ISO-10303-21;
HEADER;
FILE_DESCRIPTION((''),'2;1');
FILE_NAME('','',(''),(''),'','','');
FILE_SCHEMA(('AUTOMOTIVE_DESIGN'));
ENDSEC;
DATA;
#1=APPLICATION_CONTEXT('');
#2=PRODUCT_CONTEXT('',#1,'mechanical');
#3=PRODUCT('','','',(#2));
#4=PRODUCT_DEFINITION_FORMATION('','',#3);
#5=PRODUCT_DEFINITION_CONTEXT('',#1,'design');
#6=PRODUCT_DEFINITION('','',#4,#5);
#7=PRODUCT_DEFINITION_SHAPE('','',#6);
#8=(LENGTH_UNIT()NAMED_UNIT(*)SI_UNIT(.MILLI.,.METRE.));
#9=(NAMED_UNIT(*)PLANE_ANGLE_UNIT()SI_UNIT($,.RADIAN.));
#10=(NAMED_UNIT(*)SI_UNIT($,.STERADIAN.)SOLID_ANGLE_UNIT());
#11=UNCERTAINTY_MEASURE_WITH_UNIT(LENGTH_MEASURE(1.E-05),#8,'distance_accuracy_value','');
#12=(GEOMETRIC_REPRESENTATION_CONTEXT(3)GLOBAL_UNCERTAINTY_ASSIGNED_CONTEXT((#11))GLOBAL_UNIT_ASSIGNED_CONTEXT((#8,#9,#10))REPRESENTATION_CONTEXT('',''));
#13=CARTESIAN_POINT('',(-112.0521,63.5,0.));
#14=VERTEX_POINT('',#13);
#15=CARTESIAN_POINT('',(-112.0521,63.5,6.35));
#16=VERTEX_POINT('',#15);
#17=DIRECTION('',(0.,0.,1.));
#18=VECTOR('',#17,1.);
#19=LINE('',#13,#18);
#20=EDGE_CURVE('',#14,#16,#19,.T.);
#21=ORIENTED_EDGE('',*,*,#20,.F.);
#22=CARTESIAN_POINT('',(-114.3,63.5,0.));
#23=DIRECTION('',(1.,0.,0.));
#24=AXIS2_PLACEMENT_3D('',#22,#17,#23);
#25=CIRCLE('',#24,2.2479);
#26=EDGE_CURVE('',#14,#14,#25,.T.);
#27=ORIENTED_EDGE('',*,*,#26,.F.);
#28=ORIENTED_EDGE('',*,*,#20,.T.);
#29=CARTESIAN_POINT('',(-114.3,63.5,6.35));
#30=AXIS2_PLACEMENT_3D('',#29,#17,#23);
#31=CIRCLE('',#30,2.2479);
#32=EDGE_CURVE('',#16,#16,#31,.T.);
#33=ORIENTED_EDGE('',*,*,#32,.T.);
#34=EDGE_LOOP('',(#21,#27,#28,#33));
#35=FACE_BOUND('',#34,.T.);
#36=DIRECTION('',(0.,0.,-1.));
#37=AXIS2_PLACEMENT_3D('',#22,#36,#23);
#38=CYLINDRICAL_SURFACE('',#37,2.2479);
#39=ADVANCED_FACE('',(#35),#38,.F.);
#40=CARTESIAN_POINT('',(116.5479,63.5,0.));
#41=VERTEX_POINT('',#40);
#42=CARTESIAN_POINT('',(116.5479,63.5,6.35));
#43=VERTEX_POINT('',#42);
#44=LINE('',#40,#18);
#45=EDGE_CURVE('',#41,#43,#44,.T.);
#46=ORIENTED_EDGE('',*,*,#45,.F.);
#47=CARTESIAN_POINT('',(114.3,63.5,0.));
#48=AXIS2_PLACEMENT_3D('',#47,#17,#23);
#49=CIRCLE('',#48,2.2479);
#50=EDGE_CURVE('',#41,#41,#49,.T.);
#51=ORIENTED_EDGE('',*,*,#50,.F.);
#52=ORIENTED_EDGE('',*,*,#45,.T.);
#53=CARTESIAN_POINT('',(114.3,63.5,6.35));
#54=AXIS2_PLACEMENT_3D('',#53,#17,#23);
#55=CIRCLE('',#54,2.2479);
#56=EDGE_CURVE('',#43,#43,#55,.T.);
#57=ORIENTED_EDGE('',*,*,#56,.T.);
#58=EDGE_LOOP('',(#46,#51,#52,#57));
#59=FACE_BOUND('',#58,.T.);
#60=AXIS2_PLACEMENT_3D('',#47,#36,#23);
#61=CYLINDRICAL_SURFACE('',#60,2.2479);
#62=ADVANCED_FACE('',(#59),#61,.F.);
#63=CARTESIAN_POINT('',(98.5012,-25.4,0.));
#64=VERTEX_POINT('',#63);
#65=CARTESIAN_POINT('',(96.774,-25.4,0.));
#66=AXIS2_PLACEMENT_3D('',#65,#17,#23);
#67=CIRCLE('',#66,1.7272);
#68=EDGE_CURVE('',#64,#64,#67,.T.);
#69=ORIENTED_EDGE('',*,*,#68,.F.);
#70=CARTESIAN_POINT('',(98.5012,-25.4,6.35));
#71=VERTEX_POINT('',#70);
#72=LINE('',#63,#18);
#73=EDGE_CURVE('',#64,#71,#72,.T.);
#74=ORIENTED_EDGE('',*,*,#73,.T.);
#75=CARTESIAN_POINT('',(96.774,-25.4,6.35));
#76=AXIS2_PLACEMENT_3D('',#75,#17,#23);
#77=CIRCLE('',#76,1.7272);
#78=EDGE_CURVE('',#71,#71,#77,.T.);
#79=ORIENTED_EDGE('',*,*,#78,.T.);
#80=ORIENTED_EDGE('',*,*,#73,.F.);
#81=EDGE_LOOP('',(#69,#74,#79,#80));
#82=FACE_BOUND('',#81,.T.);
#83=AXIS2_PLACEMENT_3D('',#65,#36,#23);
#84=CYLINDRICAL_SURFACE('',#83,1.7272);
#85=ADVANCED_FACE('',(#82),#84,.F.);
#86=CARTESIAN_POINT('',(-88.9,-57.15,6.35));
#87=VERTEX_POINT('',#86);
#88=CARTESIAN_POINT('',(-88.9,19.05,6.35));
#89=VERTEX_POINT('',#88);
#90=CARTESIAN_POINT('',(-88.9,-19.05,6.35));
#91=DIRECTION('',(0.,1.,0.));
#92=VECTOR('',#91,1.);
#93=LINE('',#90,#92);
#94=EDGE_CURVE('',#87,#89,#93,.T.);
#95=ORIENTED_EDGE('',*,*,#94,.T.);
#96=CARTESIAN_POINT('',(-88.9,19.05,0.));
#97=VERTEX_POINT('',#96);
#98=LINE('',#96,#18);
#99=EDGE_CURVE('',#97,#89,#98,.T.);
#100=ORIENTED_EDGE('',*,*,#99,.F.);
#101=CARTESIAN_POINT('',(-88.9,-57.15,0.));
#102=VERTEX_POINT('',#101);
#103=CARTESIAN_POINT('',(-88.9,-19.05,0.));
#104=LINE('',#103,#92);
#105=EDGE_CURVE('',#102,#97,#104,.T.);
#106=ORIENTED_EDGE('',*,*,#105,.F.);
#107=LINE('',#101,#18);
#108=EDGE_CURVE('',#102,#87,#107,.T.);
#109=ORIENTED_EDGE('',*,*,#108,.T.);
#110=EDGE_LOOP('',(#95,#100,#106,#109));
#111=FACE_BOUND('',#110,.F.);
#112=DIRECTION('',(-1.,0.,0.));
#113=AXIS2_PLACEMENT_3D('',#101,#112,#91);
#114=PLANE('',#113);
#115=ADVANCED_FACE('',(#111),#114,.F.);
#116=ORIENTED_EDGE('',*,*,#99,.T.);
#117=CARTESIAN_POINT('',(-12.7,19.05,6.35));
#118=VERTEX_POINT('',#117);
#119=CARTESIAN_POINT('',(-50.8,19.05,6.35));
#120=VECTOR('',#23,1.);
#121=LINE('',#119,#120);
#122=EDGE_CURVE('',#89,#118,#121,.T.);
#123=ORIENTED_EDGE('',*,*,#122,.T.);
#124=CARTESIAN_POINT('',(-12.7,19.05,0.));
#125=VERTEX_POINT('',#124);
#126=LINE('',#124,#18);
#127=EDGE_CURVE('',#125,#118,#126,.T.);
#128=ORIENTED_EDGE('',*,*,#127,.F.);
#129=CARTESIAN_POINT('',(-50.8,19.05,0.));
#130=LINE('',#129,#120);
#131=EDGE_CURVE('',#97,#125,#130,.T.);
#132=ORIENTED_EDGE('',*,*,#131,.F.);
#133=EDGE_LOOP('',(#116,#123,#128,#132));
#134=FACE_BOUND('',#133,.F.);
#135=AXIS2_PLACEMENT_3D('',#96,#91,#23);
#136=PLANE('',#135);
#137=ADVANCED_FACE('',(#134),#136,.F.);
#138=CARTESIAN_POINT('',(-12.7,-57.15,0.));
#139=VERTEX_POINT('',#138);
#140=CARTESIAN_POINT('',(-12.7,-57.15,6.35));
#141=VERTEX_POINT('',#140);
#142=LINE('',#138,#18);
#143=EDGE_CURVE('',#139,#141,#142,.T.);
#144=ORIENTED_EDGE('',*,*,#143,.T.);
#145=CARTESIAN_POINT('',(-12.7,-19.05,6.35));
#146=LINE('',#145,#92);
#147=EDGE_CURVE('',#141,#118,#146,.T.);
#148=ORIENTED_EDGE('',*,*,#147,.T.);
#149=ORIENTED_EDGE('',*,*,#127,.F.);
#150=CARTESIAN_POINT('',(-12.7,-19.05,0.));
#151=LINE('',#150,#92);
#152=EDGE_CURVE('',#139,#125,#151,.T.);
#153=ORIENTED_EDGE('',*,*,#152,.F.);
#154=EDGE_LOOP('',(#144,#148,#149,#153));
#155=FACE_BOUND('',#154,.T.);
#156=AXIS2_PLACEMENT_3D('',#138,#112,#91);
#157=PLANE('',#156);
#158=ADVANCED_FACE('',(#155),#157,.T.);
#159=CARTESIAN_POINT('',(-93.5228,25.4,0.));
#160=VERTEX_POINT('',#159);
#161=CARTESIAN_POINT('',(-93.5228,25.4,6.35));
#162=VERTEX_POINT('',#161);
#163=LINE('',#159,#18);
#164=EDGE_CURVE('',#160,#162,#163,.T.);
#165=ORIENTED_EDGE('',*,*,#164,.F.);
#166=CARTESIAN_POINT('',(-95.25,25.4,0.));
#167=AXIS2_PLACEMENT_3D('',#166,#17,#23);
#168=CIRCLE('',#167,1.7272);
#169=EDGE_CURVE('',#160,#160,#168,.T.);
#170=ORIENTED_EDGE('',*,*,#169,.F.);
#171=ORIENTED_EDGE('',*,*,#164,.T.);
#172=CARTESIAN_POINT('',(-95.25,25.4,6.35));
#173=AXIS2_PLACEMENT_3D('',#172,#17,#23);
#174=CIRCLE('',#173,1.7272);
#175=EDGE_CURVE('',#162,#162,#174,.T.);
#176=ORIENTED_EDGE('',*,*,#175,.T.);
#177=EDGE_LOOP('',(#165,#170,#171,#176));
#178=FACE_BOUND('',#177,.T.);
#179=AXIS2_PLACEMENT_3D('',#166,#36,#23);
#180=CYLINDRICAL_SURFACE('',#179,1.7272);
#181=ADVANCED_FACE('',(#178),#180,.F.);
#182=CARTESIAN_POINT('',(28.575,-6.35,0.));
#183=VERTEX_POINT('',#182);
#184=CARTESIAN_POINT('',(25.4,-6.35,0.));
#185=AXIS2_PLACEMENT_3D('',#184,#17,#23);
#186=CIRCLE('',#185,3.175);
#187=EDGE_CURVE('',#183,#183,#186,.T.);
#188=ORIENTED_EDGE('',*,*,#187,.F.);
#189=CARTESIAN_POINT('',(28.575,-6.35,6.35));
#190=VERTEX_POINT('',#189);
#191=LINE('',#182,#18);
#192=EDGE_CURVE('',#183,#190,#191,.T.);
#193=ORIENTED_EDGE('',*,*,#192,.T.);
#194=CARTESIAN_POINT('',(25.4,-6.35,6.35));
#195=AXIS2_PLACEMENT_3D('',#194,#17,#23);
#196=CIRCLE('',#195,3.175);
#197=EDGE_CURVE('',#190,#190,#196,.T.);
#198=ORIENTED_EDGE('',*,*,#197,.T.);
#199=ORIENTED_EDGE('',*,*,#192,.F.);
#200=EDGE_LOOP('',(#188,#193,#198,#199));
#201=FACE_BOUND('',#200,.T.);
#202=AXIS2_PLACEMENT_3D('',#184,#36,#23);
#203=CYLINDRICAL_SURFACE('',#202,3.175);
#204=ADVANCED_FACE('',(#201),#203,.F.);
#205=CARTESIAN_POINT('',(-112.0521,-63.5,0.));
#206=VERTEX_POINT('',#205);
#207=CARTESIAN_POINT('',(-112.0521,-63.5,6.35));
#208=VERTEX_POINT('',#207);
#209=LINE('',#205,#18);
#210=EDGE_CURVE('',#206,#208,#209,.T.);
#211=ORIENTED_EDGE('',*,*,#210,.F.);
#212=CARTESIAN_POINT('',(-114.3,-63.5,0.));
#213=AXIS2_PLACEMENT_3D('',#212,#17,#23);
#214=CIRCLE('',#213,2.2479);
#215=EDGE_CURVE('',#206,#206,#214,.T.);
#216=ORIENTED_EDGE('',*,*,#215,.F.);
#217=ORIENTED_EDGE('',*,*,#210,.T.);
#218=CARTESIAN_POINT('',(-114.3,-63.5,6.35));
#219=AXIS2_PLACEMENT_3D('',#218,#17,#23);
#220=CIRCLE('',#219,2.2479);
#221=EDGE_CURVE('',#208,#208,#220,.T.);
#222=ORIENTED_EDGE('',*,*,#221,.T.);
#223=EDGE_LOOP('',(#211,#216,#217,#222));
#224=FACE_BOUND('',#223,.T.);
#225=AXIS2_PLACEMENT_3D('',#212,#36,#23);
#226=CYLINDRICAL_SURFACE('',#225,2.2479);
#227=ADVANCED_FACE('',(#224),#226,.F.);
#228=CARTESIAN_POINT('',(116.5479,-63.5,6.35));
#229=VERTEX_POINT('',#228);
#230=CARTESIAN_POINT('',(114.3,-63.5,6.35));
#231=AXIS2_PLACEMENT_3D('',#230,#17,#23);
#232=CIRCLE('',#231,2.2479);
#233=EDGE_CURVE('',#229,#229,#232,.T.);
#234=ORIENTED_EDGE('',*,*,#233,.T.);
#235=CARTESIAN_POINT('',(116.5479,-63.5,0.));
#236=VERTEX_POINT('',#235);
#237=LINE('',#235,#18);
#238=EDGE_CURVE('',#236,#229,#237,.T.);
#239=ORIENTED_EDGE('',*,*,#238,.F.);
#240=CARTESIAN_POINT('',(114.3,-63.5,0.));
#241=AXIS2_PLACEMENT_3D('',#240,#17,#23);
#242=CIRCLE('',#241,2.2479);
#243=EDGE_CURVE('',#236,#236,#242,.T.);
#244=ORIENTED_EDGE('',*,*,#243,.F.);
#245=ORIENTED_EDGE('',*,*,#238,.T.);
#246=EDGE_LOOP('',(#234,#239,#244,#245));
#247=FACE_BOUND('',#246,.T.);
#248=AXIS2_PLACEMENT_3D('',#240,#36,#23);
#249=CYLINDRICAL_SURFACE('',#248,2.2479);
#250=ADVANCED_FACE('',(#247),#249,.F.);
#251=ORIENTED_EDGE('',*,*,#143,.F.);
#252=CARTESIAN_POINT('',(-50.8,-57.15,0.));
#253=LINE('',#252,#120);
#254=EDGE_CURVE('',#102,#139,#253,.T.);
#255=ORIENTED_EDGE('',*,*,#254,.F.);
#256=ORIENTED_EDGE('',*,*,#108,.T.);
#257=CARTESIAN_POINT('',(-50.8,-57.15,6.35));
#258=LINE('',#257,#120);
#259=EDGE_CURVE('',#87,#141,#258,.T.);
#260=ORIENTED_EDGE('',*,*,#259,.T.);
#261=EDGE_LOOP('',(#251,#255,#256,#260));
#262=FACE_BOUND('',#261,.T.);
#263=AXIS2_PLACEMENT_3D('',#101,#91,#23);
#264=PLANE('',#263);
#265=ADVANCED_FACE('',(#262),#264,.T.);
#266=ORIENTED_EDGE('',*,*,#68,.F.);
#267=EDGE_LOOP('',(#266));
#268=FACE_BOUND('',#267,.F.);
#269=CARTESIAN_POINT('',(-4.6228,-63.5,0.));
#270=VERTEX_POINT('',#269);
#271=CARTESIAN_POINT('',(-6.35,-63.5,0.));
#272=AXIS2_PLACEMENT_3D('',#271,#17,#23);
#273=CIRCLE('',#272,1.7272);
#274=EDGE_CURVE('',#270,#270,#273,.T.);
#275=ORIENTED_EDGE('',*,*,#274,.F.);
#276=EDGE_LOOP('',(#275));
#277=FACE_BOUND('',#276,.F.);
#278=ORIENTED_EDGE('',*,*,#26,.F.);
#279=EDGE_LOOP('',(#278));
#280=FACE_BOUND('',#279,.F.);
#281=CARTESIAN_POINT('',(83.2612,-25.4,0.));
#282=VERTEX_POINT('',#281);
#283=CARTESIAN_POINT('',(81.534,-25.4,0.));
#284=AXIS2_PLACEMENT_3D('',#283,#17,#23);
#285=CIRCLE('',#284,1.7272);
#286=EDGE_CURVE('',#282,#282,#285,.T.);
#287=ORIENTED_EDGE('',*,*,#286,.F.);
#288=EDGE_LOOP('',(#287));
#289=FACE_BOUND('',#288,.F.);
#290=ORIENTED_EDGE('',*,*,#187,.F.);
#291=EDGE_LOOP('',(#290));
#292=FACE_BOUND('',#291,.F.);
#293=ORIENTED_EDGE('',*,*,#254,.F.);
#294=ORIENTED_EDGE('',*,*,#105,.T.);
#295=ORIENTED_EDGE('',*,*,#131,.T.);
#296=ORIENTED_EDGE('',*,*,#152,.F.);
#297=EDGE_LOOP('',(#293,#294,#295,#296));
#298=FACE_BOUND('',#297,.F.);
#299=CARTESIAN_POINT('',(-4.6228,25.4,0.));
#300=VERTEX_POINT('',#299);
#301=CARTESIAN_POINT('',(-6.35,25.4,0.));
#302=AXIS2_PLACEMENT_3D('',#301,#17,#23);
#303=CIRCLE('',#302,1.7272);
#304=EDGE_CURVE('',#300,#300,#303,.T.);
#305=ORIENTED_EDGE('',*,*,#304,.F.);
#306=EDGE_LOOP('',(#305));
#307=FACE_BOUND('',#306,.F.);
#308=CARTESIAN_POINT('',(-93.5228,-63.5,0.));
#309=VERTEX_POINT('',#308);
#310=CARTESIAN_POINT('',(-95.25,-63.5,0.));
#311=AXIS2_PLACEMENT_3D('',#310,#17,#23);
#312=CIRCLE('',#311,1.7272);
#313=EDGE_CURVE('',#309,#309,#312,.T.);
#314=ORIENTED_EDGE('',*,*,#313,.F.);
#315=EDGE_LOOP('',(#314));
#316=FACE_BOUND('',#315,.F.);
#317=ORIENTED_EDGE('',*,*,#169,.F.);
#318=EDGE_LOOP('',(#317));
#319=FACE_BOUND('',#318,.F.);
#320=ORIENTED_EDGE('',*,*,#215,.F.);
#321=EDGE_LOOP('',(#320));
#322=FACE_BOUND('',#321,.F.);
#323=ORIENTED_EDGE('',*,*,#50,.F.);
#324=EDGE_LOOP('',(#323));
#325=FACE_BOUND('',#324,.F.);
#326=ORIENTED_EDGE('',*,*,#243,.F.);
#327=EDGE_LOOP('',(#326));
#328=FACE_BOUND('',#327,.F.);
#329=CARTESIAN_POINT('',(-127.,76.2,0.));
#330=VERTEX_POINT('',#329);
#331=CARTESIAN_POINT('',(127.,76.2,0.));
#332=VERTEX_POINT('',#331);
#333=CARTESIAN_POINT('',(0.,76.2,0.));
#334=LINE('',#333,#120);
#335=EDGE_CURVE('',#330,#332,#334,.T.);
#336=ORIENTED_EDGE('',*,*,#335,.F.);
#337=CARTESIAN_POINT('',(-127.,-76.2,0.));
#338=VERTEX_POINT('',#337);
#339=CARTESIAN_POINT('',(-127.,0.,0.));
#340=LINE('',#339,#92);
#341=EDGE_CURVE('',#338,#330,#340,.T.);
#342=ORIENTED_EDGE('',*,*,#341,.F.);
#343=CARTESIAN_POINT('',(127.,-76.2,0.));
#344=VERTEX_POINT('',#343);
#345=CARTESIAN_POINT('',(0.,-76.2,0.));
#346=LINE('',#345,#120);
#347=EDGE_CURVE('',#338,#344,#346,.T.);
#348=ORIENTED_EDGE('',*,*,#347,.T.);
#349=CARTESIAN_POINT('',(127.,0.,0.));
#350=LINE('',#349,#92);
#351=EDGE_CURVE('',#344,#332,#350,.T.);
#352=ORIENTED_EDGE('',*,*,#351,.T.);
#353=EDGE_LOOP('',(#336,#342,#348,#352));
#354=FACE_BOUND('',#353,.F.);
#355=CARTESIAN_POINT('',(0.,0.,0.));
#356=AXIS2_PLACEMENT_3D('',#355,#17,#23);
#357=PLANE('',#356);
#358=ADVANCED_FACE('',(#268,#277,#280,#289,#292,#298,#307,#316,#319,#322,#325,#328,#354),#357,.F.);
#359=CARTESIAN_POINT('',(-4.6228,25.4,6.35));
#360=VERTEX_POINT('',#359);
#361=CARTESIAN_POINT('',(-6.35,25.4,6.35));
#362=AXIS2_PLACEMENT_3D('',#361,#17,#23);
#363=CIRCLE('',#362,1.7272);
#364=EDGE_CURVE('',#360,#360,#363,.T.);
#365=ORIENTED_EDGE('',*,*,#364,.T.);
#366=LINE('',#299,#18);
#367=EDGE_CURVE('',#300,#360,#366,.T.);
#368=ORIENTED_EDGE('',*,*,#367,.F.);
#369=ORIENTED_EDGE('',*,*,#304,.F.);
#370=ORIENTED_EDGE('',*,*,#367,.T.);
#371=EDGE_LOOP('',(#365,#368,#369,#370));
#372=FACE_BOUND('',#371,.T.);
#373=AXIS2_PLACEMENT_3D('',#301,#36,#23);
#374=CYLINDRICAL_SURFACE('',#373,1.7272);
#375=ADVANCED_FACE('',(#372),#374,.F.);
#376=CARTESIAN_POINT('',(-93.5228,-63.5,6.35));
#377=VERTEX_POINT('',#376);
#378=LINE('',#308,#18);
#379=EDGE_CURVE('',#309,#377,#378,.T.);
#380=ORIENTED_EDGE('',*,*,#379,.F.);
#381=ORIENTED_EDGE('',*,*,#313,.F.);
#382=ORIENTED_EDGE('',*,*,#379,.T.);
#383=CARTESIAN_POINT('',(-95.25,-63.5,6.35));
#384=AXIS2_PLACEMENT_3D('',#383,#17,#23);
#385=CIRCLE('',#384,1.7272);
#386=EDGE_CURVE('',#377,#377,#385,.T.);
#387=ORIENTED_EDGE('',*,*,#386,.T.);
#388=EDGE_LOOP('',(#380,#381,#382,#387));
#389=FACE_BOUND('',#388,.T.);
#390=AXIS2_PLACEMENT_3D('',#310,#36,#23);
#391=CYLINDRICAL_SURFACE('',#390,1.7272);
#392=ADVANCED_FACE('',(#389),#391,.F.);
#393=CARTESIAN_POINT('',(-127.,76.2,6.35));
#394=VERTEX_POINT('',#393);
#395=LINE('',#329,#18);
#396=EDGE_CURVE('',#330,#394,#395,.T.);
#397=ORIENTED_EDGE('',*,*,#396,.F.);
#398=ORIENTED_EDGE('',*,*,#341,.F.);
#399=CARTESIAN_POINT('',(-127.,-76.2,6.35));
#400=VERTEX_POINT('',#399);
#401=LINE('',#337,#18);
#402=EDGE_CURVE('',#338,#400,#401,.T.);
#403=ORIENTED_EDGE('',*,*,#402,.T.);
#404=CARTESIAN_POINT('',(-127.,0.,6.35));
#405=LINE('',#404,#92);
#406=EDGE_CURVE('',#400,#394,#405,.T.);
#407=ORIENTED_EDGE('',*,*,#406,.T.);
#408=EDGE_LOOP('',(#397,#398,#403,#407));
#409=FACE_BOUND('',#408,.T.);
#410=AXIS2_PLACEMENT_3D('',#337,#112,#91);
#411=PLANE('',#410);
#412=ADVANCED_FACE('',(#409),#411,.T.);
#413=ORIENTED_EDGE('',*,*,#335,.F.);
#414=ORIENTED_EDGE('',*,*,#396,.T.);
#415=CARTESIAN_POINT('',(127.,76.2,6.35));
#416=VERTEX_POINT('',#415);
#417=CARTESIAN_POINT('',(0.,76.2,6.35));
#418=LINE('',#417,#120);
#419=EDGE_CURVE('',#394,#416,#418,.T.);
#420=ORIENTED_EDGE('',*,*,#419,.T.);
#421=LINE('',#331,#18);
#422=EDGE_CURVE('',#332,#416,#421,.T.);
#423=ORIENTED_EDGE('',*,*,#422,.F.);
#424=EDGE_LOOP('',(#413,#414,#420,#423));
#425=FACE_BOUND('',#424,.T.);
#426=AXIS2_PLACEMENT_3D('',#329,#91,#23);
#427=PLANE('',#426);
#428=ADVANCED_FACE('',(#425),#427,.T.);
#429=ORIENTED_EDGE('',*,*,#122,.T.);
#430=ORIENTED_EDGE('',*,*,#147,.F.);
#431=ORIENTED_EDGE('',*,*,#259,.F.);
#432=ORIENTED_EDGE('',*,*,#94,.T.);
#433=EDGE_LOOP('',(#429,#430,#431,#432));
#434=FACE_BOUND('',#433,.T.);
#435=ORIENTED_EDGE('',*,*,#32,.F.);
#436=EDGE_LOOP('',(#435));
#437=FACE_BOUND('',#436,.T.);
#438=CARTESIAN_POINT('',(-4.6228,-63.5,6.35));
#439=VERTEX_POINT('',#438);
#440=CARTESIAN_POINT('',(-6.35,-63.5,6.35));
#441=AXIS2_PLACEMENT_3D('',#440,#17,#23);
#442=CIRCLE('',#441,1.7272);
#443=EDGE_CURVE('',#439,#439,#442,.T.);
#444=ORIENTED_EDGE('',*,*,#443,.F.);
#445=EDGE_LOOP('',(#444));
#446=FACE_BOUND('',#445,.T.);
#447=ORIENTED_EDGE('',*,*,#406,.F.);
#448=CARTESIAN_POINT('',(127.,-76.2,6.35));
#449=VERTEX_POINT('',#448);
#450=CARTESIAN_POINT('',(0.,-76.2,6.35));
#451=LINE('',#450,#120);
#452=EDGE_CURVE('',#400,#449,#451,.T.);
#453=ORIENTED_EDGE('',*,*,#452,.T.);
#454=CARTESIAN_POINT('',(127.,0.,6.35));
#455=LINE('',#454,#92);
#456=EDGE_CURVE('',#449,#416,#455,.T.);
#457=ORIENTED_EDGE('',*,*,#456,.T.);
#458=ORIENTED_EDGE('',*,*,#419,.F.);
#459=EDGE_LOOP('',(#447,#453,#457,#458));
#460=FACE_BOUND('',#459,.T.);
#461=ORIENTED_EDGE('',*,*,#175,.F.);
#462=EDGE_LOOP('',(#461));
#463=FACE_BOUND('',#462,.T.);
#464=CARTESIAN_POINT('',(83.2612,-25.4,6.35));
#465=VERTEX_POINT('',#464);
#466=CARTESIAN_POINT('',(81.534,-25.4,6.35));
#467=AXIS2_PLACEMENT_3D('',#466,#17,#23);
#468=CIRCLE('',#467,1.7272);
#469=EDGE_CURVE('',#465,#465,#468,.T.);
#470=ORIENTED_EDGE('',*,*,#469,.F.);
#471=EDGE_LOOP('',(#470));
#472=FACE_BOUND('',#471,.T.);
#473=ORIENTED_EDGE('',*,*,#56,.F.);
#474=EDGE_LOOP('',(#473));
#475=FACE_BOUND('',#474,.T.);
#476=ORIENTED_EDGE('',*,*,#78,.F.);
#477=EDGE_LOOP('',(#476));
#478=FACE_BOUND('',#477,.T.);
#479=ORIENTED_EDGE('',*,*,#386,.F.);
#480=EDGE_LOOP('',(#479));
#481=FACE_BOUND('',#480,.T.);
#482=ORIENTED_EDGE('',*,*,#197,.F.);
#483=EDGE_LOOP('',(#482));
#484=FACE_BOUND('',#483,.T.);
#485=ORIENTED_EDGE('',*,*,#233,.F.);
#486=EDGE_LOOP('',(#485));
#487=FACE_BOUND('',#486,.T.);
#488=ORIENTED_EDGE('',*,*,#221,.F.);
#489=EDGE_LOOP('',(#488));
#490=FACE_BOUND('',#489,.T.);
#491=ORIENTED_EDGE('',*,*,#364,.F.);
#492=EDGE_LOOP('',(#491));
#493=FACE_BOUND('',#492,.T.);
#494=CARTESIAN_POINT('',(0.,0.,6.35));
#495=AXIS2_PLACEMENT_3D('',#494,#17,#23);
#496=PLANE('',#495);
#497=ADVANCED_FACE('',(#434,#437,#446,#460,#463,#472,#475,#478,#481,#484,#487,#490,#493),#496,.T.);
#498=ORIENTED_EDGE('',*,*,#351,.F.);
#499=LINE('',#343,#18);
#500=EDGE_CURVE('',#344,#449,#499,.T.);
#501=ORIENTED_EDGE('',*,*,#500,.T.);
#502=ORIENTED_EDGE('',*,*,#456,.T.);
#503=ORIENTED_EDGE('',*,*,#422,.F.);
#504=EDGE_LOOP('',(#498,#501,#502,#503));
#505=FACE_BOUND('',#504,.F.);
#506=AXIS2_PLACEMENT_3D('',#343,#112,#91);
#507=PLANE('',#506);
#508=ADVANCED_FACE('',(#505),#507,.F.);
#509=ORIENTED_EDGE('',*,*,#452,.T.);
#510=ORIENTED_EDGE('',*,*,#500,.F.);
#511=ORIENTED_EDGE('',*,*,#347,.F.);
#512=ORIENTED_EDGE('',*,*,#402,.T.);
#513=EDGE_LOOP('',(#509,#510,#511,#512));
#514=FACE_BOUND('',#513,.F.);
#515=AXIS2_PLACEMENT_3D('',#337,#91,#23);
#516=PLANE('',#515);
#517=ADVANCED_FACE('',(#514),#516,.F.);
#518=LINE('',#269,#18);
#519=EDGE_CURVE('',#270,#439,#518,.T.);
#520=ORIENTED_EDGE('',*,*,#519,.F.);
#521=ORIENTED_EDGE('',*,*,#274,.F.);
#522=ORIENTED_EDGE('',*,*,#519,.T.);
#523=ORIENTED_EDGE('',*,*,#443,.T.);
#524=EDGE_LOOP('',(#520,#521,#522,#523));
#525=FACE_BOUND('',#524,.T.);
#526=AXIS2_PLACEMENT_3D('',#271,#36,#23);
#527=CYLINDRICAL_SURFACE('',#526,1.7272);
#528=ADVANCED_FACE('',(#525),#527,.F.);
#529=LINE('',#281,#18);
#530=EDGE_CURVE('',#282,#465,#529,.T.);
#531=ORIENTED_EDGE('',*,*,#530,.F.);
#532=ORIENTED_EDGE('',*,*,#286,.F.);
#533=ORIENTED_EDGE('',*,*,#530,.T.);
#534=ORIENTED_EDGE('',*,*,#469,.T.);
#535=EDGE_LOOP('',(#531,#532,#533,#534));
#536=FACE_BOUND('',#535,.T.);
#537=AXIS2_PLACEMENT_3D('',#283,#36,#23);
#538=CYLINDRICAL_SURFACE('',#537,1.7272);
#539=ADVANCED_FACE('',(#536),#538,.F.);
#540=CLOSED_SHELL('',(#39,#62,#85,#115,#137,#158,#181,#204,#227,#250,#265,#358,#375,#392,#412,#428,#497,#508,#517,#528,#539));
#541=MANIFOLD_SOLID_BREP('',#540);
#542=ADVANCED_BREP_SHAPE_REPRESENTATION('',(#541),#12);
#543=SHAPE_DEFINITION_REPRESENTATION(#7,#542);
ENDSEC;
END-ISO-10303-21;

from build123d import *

# Parameters (mm, degrees)
F0_W     = 254
F0_H     = 152.4
F0_R     = 2.2479
F0_R_2   = 1.7272
F0_W_2   = 76.2
F0_H_2   = 76.2
F0_R_3   = 3.175
F1_DEPTH = 6.35


with BuildPart() as f1:
    # F0 (on Top) → F1 (new body)
    with BuildSketch(Plane.XY):
        Rectangle(F0_W, F0_H)
        with Locations((-114.3, -63.5)):
            Circle(F0_R, mode=Mode.SUBTRACT)
        with Locations((-95.25, -63.5)):
            Circle(F0_R_2, mode=Mode.SUBTRACT)
        with Locations((-6.35, -63.5)):
            Circle(F0_R_2, mode=Mode.SUBTRACT)
        with Locations((-50.8, -19.05)):
            Rectangle(F0_W_2, F0_H_2, mode=Mode.SUBTRACT)
        with Locations((114.3, -63.5)):
            Circle(F0_R, mode=Mode.SUBTRACT)
        with Locations((25.4, -6.35)):
            Circle(F0_R_3, mode=Mode.SUBTRACT)
        with Locations((81.534, -25.4)):
            Circle(F0_R_2, mode=Mode.SUBTRACT)
        with Locations((96.774, -25.4)):
            Circle(F0_R_2, mode=Mode.SUBTRACT)
        with Locations((-95.25, 25.4)):
            Circle(F0_R_2, mode=Mode.SUBTRACT)
        with Locations((-6.35, 25.4)):
            Circle(F0_R_2, mode=Mode.SUBTRACT)
        with Locations((-114.3, 63.5)):
            Circle(F0_R, mode=Mode.SUBTRACT)
        with Locations((114.3, 63.5)):
            Circle(F0_R, mode=Mode.SUBTRACT)
    extrude(amount=F1_DEPTH)


solid = f1.part
